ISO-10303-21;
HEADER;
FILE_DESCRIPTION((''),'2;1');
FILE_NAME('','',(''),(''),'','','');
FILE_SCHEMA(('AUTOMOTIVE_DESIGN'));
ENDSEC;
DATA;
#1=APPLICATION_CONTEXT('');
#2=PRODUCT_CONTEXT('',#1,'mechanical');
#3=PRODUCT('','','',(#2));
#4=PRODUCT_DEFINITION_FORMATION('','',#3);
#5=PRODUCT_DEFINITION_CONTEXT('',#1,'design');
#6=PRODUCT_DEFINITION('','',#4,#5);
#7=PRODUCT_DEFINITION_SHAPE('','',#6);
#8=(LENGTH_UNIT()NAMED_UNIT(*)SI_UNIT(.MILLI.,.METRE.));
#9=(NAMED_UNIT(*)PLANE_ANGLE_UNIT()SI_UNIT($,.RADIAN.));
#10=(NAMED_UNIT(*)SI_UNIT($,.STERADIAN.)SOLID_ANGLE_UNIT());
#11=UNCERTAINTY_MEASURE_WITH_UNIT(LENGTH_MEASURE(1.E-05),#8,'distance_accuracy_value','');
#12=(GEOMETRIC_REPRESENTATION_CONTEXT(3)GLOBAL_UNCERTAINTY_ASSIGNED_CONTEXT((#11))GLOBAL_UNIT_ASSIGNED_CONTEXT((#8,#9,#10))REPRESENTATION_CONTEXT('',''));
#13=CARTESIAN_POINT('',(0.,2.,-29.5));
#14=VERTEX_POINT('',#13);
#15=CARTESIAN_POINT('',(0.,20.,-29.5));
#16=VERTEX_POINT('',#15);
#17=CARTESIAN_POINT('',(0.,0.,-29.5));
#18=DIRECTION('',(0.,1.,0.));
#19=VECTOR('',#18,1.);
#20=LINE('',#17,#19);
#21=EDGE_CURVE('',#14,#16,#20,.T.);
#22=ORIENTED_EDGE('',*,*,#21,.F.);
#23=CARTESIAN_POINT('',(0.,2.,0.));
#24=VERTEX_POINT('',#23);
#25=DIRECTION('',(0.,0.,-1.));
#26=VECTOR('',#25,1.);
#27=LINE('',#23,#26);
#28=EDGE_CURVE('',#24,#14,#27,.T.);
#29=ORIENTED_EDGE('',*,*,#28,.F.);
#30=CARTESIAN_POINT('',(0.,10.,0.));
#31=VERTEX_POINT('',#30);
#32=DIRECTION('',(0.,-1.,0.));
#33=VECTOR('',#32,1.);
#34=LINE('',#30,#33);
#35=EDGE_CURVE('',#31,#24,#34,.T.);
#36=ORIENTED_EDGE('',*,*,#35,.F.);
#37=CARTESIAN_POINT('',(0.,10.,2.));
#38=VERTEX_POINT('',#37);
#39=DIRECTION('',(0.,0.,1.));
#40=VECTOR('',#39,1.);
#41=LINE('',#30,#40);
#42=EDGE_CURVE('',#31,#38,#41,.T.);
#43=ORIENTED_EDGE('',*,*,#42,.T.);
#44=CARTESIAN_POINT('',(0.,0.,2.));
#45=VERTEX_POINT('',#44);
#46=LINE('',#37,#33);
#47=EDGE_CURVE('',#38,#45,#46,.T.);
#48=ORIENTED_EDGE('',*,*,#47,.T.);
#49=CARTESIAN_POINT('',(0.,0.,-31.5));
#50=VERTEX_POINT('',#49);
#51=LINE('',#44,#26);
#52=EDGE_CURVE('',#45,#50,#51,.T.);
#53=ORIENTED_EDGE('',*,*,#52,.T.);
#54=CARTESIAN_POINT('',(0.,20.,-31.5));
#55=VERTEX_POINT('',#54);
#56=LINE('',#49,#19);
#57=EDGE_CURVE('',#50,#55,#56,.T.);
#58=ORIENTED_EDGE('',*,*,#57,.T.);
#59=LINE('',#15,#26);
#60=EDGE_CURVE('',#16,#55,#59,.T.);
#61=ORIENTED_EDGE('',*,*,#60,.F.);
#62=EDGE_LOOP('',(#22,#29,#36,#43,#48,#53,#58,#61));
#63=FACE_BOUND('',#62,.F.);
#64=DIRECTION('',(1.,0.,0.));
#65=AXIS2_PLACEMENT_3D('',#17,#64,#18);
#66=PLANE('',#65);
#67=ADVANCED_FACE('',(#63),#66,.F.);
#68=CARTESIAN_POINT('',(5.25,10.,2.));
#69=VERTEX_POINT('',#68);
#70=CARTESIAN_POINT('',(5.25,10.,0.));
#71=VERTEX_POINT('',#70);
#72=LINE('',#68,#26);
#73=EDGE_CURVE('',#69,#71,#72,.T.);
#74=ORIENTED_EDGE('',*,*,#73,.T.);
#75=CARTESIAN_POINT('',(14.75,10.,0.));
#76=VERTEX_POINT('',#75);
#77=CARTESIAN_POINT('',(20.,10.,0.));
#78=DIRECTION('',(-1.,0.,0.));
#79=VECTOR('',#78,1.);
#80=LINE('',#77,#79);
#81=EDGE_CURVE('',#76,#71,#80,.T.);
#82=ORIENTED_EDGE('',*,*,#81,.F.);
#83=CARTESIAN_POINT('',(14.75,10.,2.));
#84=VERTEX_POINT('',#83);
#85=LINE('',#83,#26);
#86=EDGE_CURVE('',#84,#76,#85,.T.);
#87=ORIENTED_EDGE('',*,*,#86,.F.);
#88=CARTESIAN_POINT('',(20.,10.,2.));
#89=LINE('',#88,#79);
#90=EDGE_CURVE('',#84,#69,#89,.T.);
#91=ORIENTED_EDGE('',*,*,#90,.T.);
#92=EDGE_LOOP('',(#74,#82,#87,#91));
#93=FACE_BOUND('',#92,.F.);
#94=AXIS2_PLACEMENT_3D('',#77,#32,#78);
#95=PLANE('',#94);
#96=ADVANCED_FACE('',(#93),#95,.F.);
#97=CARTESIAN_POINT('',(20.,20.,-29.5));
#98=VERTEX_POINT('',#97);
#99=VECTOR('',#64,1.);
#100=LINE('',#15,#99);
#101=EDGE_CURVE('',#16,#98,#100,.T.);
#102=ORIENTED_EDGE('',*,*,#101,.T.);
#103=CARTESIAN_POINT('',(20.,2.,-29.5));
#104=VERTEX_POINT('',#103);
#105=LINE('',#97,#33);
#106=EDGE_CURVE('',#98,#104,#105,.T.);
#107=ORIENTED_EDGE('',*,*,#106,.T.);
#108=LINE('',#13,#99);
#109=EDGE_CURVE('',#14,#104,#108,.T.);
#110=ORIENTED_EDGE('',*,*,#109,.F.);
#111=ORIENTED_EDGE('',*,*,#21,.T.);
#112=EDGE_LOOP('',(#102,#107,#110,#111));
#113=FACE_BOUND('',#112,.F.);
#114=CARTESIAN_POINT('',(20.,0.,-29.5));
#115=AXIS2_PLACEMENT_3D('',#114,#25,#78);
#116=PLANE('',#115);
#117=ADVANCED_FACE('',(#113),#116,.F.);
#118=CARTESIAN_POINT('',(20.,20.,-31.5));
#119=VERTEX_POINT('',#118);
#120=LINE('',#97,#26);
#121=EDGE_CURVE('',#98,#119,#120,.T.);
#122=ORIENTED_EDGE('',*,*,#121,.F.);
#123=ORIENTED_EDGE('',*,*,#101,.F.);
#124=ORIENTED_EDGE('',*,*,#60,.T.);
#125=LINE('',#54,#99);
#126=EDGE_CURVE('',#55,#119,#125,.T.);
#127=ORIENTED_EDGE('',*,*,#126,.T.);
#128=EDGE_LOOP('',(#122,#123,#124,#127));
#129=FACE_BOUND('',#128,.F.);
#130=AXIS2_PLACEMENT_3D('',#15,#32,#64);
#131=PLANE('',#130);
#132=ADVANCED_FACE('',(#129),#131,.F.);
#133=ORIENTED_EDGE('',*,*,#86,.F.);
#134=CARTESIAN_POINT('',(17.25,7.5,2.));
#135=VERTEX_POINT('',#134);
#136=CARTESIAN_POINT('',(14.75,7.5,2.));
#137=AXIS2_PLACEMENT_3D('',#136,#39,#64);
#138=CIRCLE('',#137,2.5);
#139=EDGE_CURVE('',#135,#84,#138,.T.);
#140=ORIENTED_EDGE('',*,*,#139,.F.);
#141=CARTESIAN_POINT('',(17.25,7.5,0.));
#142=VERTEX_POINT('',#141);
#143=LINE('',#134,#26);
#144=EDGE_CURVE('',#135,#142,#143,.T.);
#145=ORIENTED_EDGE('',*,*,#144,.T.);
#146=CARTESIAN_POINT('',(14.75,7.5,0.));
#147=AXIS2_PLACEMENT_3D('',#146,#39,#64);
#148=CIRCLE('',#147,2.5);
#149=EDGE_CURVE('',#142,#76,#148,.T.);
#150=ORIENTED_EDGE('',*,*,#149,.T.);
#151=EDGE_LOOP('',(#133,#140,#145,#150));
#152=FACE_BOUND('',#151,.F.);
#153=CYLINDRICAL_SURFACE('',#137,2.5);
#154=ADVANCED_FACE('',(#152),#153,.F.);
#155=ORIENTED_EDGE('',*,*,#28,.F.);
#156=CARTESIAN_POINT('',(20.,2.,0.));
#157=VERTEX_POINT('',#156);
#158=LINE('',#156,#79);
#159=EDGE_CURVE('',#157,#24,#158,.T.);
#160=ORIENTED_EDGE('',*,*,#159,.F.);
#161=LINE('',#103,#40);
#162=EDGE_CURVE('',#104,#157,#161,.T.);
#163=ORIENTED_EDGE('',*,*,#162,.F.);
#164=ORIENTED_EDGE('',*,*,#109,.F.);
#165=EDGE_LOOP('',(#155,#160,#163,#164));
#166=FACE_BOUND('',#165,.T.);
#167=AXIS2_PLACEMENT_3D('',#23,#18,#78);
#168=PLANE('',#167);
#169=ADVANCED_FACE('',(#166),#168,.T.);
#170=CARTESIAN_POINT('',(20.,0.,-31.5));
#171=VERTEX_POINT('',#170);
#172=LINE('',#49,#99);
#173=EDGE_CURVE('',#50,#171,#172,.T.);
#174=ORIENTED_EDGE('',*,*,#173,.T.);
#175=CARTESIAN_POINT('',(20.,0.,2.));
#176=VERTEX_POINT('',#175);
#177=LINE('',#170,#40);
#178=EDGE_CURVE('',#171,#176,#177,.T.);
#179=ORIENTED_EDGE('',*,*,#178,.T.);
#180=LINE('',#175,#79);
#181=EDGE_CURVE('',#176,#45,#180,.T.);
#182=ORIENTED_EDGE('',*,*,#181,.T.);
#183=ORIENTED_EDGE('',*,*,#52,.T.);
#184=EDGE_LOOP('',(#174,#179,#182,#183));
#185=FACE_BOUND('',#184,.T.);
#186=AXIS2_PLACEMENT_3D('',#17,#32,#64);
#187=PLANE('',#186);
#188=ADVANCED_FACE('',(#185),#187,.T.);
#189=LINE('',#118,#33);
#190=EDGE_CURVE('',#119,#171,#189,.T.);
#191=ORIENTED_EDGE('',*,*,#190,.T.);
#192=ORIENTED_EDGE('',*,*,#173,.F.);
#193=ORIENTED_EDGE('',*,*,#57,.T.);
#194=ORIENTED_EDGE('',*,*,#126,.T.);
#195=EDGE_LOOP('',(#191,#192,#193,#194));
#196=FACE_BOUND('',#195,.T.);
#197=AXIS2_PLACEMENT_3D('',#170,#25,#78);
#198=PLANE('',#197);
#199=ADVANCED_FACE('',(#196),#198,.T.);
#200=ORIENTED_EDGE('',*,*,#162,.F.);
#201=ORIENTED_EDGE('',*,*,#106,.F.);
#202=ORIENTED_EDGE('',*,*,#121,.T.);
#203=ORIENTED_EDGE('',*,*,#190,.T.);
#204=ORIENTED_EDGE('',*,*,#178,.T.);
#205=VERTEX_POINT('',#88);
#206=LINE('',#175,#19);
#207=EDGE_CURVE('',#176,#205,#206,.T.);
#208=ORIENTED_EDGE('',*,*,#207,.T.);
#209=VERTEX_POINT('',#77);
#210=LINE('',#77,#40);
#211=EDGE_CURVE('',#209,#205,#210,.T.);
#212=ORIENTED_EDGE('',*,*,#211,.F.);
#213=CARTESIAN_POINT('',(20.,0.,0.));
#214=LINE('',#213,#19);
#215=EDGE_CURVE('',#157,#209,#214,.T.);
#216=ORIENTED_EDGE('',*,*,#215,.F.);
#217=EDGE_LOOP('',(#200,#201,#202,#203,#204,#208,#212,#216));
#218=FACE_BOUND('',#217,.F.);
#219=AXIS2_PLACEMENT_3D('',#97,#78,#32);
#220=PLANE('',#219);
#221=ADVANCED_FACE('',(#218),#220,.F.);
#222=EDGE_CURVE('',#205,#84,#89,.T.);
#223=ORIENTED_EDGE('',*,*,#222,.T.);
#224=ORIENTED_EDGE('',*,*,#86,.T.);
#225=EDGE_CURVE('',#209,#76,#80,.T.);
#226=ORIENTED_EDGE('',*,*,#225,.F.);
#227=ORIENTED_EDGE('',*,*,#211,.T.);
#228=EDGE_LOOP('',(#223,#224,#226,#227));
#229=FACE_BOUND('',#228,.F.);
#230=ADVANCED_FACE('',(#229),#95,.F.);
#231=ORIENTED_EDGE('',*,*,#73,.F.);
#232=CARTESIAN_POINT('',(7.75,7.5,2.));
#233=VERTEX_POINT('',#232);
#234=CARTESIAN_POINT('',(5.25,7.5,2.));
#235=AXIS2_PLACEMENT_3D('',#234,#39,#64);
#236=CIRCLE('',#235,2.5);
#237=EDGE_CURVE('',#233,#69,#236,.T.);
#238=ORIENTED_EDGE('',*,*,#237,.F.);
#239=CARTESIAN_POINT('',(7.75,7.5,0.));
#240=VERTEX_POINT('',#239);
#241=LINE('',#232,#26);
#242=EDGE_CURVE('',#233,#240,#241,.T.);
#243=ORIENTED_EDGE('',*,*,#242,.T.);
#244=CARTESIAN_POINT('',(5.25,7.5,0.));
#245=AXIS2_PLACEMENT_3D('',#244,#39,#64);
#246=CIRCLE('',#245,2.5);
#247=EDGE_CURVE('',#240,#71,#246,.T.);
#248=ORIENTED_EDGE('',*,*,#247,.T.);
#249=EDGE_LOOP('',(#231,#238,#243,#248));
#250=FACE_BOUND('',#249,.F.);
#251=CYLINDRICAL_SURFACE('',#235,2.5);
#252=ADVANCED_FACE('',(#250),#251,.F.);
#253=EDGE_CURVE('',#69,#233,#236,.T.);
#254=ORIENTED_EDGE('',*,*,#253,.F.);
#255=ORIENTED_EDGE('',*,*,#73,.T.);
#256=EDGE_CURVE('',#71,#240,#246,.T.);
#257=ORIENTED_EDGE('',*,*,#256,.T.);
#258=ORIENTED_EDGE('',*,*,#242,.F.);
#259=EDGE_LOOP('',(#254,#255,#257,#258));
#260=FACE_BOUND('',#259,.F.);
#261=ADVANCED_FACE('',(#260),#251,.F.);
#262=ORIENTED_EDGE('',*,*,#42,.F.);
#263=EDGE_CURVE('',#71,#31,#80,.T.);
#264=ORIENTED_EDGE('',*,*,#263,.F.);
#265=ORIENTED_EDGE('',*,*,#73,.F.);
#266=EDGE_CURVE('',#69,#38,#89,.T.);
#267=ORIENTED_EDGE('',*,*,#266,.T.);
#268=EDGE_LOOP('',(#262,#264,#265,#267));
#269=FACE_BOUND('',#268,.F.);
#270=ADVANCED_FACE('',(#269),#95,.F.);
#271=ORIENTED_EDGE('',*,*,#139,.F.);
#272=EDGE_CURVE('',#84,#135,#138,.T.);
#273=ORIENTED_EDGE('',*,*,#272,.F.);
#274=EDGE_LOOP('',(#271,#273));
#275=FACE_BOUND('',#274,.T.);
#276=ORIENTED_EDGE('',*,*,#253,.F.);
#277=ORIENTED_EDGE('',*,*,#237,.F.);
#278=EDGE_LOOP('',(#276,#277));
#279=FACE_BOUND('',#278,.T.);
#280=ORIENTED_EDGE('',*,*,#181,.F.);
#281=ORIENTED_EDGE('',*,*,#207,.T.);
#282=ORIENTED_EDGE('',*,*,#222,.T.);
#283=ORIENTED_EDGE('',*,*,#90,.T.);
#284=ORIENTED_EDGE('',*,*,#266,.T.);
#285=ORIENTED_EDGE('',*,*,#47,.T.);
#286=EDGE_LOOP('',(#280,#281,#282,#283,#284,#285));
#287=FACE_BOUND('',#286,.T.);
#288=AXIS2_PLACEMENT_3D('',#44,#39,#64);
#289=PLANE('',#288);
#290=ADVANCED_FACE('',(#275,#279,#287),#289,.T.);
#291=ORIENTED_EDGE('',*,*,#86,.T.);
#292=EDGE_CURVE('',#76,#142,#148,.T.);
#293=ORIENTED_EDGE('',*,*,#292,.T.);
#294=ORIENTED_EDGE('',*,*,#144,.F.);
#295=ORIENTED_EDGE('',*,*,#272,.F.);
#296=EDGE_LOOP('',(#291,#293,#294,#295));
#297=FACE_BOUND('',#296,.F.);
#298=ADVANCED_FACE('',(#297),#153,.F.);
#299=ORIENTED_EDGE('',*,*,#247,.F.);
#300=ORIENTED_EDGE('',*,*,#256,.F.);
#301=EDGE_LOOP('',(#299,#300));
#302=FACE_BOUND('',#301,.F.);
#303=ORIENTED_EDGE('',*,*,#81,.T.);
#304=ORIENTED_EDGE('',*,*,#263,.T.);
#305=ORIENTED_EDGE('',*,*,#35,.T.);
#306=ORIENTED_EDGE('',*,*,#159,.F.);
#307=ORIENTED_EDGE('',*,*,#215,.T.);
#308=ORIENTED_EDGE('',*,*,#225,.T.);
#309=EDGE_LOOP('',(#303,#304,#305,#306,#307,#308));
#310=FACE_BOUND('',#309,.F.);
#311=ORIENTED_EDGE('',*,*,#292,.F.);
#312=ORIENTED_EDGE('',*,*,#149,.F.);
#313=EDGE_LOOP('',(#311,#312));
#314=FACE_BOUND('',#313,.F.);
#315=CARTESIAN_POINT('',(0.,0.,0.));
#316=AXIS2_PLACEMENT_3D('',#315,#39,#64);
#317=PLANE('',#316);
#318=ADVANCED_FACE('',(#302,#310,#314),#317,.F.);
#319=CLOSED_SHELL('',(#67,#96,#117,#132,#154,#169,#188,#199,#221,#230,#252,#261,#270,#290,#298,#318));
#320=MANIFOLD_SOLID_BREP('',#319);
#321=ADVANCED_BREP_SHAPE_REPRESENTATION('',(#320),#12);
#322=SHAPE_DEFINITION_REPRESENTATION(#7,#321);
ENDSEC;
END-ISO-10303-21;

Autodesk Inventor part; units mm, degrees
ref_plane "YZ Plane" through (0, 0, 0) normal (1, 0, 0) x (0, 1, 0)
ref_plane "XZ Plane" through (0, 0, 0) normal (0, 1, 0) x (-1, 0, 0)
ref_plane "XY Plane" through (0, 0, 0) normal (0, 0, 1) x (1, 0, 0)
sketch "Sketch1" plane through (0, 0, 0) normal (0, 1, 0) x (-1, 0, 0)
  line L0 (-20, 0) -> (0, 0)
  line L1 (0, 0) -> (0, -29.5)
  line L2 (0, -29.5) -> (-20, -29.5)
  line L3 (-20, -29.5) -> (-20, 0)
  dimension "d1" = 20
  dimension "d2" = 29.5
sketch "Sketch2" plane through (0, 0, 0) normal (0, 0, 1) x (1, 0, 0)
  point P0 (0, 0)
extrude "Extrusion1" add sketch "Sketch1" along normal blind 2
sketch "Sketch3" plane through (0, 0, 0) normal (0, 0, 1) x (1, 0, 0)
  line L0 (20, 0) -> (0, 0) projected
  line L1 (0, 0) -> (20, 0)
  line L2 (20, 0) -> (20, 10)
  line L3 (20, 10) -> (0, 10)
  line L4 (0, 10) -> (0, 0)
  dimension "d11" = 10
extrude "Extrusion2" add sketch "Sketch3" along normal blind 2
sketch "Sketch4" plane through (0, 0, 2) normal (0, 0, 1) x (1, 0, 0)
  circle A0 centre (5.25, 7.5) radius 2.5
  circle A1 centre (14.75, 7.5) radius 2.5
  line L0 (20, 10) -> (0, 10) projected
  line L1 (0, 10) -> (0, 0) projected
  dimension "d18" = 5
  dimension "d19" = 5
  dimension "d20" = 2.5
  dimension "d21" = 2.5
  dimension "d22" = 9.5
  dimension "d23" = 5.25
extrude "Extrusion3" cut sketch "Sketch4" against normal blind 2 contours A1
sketch "Sketch5" plane through (0, 0, 2) normal (0, 0, 1) x (1, 0, 0)
  circle A0 centre (5.25, 7.5) radius 2.5
  line L0 (14.75, 10) -> (0, 10) projected
  circle A1 centre (14.75, 7.5) radius 2.5 projected
  point P0 (0, 0)
  dimension "d26" = 5
  dimension "d27" = 2.5
  dimension "d28" = 9.5
extrude "Extrusion4" cut sketch "Sketch5" against normal blind 2 contours A0
sketch "Sketch7" plane through (20, 0, -29.5) normal (0, 0, -1) x (-1, 0, 0)
  line L0 (20, 0) -> (0, 0) projected
  line L1 (0, 0) -> (20, 0)
  line L2 (20, 0) -> (20, 20)
  line L3 (20, 20) -> (0, 20)
  line L4 (0, 20) -> (0, 0)
  dimension "d34" = 20
extrude "Extrusion6" add sketch "Sketch7" along normal blind 2
properties part number "Servo Holder Bottom"
